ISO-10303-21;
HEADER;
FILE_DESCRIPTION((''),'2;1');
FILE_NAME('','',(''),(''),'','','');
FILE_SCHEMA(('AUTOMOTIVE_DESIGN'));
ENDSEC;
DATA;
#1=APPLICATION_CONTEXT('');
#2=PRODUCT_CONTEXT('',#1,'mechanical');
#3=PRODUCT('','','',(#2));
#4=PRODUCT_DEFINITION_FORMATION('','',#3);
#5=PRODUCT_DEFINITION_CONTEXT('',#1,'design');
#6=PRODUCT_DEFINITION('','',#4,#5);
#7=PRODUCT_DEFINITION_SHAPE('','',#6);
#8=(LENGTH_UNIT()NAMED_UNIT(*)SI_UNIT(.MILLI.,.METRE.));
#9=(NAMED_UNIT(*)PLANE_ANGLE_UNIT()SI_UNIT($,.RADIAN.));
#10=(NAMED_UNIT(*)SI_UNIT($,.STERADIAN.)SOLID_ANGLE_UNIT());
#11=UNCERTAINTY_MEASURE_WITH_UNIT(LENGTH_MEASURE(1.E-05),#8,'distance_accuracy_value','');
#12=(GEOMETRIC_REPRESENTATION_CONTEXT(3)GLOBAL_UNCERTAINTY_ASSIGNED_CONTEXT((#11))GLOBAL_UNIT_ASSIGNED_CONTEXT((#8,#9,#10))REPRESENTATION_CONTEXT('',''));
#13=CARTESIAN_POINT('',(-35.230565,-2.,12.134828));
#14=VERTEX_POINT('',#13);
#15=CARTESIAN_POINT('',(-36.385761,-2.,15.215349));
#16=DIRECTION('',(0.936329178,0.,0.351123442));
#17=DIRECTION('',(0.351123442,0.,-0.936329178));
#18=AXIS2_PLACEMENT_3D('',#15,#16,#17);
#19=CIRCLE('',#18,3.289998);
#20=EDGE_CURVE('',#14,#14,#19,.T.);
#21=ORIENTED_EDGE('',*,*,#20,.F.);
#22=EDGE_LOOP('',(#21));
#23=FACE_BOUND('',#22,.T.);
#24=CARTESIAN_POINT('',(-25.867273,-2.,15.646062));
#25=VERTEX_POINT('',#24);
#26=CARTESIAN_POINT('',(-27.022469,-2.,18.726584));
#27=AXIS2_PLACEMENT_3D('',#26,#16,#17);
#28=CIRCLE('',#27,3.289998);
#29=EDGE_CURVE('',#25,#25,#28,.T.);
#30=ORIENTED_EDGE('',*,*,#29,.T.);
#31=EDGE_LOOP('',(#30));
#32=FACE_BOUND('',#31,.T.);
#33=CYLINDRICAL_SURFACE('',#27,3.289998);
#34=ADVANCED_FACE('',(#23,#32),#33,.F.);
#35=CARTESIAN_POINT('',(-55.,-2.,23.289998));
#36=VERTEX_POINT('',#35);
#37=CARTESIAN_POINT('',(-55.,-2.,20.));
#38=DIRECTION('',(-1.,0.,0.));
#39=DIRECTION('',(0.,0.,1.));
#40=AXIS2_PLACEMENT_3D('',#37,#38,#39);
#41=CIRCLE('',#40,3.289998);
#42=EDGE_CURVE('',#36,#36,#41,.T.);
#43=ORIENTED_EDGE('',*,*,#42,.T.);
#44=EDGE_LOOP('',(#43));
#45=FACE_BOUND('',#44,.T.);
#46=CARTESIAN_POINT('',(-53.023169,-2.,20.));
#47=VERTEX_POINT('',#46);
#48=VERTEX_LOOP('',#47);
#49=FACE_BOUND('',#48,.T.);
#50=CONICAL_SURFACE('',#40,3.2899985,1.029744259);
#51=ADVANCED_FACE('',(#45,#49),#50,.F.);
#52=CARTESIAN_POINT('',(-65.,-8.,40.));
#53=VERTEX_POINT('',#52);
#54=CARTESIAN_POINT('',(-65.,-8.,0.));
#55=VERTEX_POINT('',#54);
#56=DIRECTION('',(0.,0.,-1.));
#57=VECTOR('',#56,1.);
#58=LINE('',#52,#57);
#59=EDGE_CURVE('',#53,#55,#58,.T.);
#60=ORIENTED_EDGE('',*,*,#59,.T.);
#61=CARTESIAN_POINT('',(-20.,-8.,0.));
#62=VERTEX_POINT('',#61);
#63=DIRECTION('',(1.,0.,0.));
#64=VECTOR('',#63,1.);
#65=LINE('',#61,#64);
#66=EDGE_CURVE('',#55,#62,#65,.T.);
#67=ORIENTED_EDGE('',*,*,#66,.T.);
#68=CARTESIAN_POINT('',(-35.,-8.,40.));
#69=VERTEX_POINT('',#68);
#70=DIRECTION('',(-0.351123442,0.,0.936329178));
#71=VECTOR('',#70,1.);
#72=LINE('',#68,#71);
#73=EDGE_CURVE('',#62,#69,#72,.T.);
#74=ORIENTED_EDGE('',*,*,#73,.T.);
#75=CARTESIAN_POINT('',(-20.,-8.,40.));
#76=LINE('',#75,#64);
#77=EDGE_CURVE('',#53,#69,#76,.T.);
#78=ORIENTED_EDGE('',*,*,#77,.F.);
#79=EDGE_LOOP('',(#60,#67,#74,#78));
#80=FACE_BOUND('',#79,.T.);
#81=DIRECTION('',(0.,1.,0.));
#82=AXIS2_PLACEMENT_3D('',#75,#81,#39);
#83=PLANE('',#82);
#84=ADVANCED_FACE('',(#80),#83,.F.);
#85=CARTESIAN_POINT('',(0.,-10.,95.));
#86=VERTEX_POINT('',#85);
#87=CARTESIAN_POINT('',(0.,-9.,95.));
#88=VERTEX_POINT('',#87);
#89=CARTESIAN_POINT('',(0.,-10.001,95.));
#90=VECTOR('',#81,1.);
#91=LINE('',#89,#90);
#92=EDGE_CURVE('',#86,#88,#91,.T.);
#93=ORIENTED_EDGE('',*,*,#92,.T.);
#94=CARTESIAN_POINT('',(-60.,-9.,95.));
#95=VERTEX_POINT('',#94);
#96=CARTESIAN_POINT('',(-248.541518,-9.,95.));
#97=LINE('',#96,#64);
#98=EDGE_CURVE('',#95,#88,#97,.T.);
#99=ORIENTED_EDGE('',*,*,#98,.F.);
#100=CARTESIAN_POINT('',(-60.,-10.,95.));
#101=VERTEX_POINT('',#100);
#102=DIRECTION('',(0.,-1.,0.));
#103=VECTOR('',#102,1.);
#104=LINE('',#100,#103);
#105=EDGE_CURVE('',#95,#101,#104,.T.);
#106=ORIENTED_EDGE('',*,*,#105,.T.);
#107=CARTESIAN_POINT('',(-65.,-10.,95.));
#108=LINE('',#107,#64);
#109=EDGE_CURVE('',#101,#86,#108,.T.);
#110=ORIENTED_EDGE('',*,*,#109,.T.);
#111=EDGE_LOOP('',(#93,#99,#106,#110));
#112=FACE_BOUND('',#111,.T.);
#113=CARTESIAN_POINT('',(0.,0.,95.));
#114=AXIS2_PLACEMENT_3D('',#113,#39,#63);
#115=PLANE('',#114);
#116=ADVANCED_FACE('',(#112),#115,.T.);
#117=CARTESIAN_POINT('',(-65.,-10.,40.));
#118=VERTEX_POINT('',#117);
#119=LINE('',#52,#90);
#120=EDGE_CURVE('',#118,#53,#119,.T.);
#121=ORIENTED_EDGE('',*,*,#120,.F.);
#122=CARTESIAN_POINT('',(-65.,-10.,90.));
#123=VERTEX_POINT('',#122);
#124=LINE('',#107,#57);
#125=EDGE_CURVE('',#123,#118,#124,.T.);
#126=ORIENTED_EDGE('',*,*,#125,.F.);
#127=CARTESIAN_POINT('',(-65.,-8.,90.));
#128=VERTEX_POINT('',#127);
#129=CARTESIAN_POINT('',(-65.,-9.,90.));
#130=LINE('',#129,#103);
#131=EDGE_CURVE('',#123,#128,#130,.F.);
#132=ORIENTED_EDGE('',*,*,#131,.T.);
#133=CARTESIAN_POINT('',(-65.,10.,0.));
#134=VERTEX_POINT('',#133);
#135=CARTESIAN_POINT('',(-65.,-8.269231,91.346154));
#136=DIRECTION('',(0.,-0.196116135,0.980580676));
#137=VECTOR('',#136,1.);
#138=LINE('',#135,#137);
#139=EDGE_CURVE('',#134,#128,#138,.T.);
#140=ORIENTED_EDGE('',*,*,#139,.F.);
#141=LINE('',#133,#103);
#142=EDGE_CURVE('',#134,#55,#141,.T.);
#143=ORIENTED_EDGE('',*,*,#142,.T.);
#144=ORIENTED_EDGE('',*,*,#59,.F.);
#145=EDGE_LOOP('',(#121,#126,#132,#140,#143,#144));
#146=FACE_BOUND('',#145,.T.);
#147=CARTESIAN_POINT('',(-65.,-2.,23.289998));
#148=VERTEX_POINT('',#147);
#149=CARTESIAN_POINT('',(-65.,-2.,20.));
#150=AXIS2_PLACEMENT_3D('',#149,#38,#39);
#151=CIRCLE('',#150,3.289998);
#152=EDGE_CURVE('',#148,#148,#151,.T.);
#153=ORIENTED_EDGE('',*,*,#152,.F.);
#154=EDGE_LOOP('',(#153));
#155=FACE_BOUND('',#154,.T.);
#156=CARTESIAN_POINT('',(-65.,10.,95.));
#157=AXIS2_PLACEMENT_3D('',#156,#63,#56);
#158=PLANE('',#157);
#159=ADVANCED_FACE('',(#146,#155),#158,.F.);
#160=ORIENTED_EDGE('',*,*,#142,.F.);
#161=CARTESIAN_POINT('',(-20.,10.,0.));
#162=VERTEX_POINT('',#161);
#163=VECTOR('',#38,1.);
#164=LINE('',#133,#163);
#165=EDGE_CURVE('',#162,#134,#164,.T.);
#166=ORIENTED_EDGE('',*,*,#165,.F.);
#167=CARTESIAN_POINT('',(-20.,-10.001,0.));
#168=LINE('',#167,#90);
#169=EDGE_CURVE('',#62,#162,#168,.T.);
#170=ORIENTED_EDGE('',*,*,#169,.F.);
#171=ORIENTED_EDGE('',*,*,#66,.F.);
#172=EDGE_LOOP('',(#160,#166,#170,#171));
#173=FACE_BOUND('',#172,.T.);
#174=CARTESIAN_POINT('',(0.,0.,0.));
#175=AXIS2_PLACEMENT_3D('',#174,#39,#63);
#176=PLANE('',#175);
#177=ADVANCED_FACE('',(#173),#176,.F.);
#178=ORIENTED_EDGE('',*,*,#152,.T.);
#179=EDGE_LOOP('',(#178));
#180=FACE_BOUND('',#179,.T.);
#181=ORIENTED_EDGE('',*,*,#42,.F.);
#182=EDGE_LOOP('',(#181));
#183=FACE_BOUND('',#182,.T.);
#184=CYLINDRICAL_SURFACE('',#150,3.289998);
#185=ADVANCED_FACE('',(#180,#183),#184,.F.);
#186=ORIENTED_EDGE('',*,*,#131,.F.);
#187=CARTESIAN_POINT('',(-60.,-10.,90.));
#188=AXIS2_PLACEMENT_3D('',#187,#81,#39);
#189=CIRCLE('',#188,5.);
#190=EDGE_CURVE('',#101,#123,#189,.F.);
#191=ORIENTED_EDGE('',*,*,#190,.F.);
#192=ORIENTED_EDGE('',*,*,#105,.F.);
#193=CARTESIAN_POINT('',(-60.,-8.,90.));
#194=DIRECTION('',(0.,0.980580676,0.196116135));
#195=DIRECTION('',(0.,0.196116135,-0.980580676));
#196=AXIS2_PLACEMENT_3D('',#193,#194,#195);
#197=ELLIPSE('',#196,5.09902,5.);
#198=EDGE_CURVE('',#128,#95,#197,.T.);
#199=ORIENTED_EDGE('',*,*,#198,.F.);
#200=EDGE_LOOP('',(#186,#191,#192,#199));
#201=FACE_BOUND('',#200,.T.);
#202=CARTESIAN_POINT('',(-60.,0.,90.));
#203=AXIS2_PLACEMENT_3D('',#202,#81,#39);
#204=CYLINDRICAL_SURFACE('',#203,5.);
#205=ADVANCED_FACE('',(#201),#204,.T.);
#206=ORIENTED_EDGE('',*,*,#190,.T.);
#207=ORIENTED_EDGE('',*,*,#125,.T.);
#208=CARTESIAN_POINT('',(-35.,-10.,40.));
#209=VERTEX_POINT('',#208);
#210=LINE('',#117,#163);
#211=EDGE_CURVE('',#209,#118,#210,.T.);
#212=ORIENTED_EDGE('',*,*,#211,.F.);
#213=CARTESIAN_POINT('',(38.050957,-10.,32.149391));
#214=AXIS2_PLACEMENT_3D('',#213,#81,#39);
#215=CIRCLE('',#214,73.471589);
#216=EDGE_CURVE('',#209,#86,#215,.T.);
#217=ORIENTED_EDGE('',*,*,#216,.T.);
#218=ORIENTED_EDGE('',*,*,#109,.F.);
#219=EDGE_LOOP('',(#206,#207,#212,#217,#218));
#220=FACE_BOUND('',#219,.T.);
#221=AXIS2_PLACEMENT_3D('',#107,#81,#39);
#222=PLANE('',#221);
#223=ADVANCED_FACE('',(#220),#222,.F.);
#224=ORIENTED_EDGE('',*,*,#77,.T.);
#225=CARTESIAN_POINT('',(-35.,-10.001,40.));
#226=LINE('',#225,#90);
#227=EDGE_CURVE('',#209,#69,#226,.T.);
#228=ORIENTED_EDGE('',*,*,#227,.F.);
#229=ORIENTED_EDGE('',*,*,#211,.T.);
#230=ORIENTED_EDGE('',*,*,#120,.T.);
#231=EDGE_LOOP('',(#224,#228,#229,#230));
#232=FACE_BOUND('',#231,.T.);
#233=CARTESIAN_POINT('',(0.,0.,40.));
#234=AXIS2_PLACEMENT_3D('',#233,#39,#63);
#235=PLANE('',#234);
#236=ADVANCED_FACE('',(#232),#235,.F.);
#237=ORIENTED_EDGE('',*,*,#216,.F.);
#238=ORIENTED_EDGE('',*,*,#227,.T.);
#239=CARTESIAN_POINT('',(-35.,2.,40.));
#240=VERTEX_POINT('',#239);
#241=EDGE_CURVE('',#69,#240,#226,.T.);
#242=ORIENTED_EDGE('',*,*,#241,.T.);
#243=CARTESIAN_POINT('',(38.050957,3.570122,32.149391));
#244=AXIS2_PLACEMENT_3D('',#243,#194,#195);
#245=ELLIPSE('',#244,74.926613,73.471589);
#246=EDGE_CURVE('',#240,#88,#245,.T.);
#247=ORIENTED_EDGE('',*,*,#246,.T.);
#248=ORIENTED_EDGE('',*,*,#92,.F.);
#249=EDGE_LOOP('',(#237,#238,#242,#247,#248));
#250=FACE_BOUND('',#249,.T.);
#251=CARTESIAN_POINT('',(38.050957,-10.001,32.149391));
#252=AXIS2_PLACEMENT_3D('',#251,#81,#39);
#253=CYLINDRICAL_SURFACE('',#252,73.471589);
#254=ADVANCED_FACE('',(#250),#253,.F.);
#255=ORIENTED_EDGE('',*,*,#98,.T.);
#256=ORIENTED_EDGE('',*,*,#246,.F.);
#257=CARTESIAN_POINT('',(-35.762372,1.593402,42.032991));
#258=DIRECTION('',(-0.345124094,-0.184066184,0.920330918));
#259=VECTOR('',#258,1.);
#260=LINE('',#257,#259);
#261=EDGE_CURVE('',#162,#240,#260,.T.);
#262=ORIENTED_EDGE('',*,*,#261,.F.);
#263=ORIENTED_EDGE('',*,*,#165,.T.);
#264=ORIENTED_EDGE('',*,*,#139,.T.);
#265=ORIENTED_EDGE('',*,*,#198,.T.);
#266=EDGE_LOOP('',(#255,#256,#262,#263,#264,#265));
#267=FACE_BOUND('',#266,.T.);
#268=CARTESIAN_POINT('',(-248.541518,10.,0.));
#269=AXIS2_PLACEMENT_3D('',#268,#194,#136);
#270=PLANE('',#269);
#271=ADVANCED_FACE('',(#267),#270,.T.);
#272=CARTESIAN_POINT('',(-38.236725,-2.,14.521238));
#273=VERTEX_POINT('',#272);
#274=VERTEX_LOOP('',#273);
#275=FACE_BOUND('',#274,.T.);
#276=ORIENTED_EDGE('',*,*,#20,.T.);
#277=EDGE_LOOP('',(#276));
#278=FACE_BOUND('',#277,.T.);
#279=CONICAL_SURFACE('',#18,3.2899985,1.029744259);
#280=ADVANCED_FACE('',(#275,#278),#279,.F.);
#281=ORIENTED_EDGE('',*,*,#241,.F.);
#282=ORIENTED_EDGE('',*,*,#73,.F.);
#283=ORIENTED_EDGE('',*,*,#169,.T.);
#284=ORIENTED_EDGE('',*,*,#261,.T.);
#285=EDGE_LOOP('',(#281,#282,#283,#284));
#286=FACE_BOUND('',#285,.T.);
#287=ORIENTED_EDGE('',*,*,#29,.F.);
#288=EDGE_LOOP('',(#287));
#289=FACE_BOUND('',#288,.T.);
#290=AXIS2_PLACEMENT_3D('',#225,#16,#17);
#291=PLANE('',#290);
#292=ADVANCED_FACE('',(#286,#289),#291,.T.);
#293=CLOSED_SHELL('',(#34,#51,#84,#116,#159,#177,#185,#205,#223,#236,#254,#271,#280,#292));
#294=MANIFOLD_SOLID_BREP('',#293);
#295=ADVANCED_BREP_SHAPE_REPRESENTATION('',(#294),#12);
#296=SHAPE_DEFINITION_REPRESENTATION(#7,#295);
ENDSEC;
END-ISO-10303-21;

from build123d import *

# Parameters (mm, degrees)
ESBO_O1_W                                      = 130
ESBO_O1_H                                      = 20
RESSALTO_EXTRUS_O1_DEPTH                       = 95
CORTE_EXTRUS_O2_REACH                          = 22
CORTE_EXTRUS_O4_DEPTH                          = 1
CORTE_EXTRUS_O4_DEPTH_BACK                     = 66
BROCA_DE_ROSQUEAR_DE_CANO_PARA_TARRAXA_D_D     = 6.579997
BROCA_DE_ROSQUEAR_DE_CANO_PARA_TARRAXA_D_DEPTH = 10
BROCA_DE_ROSQUEAR_DE_CANO_PARA_TARRAXA_D_TIP   = 1.976830535
BROCA_DE_ROSQUEAR_DE_CANO_PARA_TARRA_2_D       = 6.579997
BROCA_DE_ROSQUEAR_DE_CANO_PARA_TARRA_2_DEPTH   = 10
BROCA_DE_ROSQUEAR_DE_CANO_PARA_TARRA_2_TIP     = 1.976830535
FILETE2_R                                      = 5
ESBO_O38_W                                     = 45
ESBO_O38_H                                     = 2
CORTE_EXTRUS_O9_DEPTH                          = 40


with BuildPart() as part:
    # Esboço1 → Ressalto-extrusão1 (new body)
    with BuildSketch(Plane.XY):
        Rectangle(ESBO_O1_W, ESBO_O1_H)
    extrude(amount=RESSALTO_EXTRUS_O1_DEPTH)

    # Esboço2 → Corte-extrusão2 (cut, up to next)
    with BuildSketch(Plane(origin=(0, 10, 0), x_dir=(1, 0, 0), z_dir=(0, 1, 0)), mode=Mode.PRIVATE) as corte_extrus_o2_sk1:
        with BuildLine():
            Line((65, 0), (-20, 0))
            Line((-20, 0), (-35, -40))
            ThreePointArc((-35, -40), (-23.93419305, -71.594486486), (0, -95))
            Line((0, -95), (65, -95))
            Line((65, -95), (65, 0))
        make_face()
    corte_extrus_o2_tool1 = extrude(corte_extrus_o2_sk1.sketch, amount=-CORTE_EXTRUS_O2_REACH, mode=Mode.PRIVATE) & part.part
    add(corte_extrus_o2_tool1.solids().sort_by_distance((19.507418, 10, 46.266943))[0], mode=Mode.SUBTRACT)

    # Esboço13 → Corte-extrusão4 (cut, two sides)
    with BuildSketch(Plane.ZY.offset(65)) as corte_extrus_o4_sk:
        Polygon((-200.200134404, 50.040026881), (0, 10), (95, -9), (295.200134404, -49.040026881), (375.280188165, 351.360241926), (-120.120080642, 450.440295688), align=None)
    extrude(amount=CORTE_EXTRUS_O4_DEPTH, mode=Mode.SUBTRACT)
    extrude(corte_extrus_o4_sk.sketch, amount=-CORTE_EXTRUS_O4_DEPTH_BACK, mode=Mode.SUBTRACT)

    # Broca de rosquear de cano para tarraxa d
    with Locations(Plane.ZY.offset(65)):
        with Locations((20, -2)):
            Hole(BROCA_DE_ROSQUEAR_DE_CANO_PARA_TARRAXA_D_D / 2, depth=BROCA_DE_ROSQUEAR_DE_CANO_PARA_TARRAXA_D_DEPTH)
            with Locations((0, 0, -(BROCA_DE_ROSQUEAR_DE_CANO_PARA_TARRAXA_D_DEPTH + BROCA_DE_ROSQUEAR_DE_CANO_PARA_TARRAXA_D_TIP / 2))):  # 118° drill point
                Cone(0, BROCA_DE_ROSQUEAR_DE_CANO_PARA_TARRAXA_D_D / 2, BROCA_DE_ROSQUEAR_DE_CANO_PARA_TARRAXA_D_TIP, mode=Mode.SUBTRACT)

    # Broca de rosquear de cano para tarra 2
    with Locations(Plane(origin=(-17.534246575, 0, -6.575342466), x_dir=(0.351123442, 0, -0.936329178), z_dir=(0.936329178, 0, 0.351123442))):
        with Locations((-27.022468832, -2)):
            Hole(BROCA_DE_ROSQUEAR_DE_CANO_PARA_TARRA_2_D / 2, depth=BROCA_DE_ROSQUEAR_DE_CANO_PARA_TARRA_2_DEPTH)
            with Locations((0, 0, -(BROCA_DE_ROSQUEAR_DE_CANO_PARA_TARRA_2_DEPTH + BROCA_DE_ROSQUEAR_DE_CANO_PARA_TARRA_2_TIP / 2))):  # 118° drill point
                Cone(0, BROCA_DE_ROSQUEAR_DE_CANO_PARA_TARRA_2_D / 2, BROCA_DE_ROSQUEAR_DE_CANO_PARA_TARRA_2_TIP, mode=Mode.SUBTRACT)

    # Filete2
    filete2_edges = [part.edges().sort_by_distance(p)[0] for p in [
        (-65, -9.5, 95),
    ]]
    fillet(filete2_edges, radius=FILETE2_R)

    # Esboço38 → Corte-extrusão9 (cut)
    with BuildSketch(Plane(origin=(0, 0, 0), x_dir=(-1, 0, 0), z_dir=(0, 0, -1))):
        with Locations((42.5, -9)):
            Rectangle(ESBO_O38_W, ESBO_O38_H)
    extrude(amount=-CORTE_EXTRUS_O9_DEPTH, mode=Mode.SUBTRACT)


solid = part.part
